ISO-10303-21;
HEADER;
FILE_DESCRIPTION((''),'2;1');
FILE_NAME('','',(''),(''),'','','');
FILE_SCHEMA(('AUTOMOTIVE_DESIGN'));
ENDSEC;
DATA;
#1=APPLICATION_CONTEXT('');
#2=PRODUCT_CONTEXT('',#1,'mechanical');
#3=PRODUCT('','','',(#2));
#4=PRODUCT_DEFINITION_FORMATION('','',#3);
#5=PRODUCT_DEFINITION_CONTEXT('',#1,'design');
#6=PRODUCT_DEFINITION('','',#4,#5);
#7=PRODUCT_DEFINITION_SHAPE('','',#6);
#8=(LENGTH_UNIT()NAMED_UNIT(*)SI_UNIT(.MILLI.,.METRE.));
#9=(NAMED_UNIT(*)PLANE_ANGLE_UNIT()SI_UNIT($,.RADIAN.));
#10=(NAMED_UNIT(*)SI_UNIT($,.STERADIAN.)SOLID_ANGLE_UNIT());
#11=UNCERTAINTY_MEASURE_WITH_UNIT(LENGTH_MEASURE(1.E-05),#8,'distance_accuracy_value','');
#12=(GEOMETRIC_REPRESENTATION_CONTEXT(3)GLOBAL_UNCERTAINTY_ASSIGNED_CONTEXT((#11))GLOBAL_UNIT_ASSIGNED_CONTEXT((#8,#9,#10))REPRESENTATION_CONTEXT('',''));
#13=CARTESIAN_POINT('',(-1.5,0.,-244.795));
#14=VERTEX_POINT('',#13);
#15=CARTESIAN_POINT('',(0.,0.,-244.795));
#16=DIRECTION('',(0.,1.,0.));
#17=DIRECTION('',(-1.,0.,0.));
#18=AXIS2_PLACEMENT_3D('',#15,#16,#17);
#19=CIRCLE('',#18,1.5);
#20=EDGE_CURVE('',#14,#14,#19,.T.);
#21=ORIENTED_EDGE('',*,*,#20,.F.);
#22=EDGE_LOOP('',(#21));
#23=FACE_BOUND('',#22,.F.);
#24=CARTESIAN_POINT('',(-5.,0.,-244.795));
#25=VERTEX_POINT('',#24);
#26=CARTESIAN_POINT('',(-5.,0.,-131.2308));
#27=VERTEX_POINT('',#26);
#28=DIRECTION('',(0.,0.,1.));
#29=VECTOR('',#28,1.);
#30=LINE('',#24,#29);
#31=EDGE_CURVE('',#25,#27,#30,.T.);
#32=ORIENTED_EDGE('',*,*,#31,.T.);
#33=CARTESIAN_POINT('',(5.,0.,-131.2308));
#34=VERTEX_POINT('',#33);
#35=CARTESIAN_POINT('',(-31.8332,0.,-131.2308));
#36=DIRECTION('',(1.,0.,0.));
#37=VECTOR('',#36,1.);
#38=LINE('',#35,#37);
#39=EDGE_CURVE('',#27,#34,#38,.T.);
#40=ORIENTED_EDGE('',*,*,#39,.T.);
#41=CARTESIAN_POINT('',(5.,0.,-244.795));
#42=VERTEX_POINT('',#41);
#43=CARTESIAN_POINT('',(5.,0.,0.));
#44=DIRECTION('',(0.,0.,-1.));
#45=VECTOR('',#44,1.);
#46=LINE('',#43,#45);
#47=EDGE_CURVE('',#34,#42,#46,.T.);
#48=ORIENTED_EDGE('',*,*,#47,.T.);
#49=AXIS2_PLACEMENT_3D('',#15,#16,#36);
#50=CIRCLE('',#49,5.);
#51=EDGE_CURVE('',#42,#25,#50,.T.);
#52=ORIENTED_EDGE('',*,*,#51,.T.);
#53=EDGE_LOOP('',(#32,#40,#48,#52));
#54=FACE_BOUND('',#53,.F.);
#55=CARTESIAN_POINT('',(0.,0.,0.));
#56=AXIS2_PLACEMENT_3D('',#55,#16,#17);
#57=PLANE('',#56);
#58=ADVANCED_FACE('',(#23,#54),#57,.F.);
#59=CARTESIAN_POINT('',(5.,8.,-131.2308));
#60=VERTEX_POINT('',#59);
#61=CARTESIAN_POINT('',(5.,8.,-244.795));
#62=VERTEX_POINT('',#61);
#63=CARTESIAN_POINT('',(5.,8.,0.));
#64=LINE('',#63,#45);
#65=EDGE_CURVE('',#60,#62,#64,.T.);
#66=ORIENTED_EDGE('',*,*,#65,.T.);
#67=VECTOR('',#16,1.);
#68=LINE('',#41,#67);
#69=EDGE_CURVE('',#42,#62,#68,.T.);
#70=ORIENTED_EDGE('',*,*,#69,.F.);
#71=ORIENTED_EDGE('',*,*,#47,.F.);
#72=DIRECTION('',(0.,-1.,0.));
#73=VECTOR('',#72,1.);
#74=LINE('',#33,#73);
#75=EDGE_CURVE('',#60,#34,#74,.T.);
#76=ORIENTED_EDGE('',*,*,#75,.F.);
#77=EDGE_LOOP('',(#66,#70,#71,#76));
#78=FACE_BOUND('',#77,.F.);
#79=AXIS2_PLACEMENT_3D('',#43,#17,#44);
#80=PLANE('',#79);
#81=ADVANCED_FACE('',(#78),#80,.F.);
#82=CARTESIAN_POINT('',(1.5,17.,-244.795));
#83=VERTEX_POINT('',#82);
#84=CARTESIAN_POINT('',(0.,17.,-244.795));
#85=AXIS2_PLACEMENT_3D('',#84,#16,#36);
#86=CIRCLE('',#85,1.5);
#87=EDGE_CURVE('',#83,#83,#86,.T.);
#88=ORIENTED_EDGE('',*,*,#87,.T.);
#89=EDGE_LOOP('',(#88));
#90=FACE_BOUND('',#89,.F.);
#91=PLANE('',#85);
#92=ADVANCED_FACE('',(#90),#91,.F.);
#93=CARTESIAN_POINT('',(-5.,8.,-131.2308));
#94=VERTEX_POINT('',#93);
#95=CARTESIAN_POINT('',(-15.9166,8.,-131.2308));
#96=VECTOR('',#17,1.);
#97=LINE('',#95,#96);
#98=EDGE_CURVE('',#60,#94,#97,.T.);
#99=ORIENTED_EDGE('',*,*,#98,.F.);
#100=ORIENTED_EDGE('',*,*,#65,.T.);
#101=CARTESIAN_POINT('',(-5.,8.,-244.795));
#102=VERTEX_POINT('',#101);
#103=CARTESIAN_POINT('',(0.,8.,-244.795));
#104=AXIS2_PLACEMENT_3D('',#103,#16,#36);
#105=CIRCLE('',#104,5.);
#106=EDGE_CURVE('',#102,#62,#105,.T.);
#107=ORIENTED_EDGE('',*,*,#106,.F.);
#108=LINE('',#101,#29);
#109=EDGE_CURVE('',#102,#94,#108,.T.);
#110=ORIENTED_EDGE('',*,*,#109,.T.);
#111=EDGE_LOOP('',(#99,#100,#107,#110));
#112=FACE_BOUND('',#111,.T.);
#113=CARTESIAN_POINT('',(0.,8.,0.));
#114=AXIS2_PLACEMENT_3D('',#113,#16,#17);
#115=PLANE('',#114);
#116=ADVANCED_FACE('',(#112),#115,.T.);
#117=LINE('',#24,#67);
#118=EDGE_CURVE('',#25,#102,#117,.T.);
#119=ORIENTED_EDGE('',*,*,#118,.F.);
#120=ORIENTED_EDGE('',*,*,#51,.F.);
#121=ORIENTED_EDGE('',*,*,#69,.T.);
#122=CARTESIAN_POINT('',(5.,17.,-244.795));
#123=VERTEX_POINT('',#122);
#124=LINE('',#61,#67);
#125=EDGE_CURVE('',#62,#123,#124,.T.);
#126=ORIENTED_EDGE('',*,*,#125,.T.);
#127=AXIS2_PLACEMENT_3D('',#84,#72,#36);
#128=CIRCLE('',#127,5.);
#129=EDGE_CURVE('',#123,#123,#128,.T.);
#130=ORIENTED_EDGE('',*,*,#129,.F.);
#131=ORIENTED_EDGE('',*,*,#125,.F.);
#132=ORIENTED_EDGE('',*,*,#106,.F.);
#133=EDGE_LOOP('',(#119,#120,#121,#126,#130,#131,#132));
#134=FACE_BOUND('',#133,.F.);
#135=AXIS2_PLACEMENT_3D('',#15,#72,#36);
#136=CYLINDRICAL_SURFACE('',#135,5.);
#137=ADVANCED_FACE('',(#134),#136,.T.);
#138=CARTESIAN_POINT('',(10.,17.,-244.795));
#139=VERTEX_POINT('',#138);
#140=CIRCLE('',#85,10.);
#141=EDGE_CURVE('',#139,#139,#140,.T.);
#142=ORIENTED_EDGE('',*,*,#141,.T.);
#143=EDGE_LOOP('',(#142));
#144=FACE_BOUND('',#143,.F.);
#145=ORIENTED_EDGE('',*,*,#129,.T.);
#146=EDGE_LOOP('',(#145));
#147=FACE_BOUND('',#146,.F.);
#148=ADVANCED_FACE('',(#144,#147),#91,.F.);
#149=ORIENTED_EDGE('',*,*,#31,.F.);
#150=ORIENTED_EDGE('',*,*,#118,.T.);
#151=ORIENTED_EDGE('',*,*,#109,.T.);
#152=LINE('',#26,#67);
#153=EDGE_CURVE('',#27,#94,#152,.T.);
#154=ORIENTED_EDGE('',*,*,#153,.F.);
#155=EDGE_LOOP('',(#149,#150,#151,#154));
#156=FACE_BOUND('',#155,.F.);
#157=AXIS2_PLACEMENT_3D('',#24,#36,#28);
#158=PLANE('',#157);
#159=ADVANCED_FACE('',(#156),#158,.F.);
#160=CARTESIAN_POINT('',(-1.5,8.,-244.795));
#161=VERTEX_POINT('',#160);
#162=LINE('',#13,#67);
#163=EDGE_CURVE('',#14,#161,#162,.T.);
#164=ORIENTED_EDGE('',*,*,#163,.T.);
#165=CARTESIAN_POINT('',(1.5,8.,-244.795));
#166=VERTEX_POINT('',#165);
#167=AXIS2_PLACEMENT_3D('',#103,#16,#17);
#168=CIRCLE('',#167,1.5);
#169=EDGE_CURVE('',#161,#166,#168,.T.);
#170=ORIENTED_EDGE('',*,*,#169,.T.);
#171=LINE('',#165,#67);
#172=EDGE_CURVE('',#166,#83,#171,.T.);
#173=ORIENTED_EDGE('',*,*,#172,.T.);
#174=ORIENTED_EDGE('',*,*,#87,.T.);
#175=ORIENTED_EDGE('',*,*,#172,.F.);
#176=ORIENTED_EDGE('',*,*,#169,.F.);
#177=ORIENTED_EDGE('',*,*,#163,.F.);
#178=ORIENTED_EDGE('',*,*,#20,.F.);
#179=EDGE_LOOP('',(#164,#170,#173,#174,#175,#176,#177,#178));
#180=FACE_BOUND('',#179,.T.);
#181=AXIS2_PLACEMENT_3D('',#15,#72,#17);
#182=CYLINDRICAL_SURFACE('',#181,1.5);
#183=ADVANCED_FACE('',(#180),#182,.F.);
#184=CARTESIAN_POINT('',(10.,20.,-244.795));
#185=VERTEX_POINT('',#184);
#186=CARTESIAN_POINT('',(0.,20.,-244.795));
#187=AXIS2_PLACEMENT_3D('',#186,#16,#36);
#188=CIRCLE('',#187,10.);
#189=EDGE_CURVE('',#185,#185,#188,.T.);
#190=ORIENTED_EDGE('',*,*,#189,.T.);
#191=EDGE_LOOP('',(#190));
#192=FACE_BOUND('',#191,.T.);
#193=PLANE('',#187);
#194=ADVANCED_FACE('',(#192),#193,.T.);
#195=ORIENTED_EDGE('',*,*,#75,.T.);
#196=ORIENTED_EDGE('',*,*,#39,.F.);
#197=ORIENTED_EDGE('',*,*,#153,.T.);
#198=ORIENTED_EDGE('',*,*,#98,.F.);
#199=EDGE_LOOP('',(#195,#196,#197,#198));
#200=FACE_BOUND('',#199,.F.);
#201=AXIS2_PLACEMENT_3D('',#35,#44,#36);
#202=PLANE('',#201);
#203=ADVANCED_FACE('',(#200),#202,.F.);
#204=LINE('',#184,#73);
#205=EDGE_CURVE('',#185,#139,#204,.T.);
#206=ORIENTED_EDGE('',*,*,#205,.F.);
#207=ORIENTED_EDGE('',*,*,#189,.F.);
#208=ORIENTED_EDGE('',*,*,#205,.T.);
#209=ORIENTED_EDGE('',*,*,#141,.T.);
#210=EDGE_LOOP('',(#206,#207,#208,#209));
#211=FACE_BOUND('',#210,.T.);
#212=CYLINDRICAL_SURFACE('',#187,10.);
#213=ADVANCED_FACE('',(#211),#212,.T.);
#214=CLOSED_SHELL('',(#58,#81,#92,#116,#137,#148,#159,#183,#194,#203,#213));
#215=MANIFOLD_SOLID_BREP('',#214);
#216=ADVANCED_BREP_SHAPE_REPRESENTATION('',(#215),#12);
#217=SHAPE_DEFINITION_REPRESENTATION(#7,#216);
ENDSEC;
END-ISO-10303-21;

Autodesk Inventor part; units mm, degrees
ref_plane "YZ Plane" through (0, 0, 0) normal (1, 0, 0) x (0, 1, 0)
ref_plane "XZ Plane" through (0, 0, 0) normal (0, 1, 0) x (-1, 0, 0)
ref_plane "XY Plane" through (0, 0, 0) normal (0, 0, 1) x (1, 0, 0)
sketch "Sketch1" plane through (0, 0, 0) normal (0, 1, 0) x (-1, 0, 0)
  line L0 (0, 0) -> (0, -244.795) construction
  line L1 (-5, 0) -> (-5, -244.795)
  line L2 (5, -244.795) -> (5, 0)
  arc A0 (5, 0) -> (-5, 0) centre (0, 0) ccw
  arc A1 (-5, -244.795) -> (5, -244.795) centre (0, -244.795) ccw
  circle A2 centre (0, 0) radius 1.5
  circle A3 centre (0, -244.795) radius 1.5
  point P0 (0, -122.3975)
  dimension "d0" = 244.795
  dimension "d1" = 10
  dimension "d2" = 3
  dimension "d3" = 3
extrude "Extrusion1" add sketch "Sketch1" along normal blind 8
sketch "Sketch2" plane through (0, 8, 0) normal (0, 1, 0) x (1, 0, 0)
  arc A0 (5, 244.795) -> (-5, 244.795) centre (0, 244.795) ccw projected
  line L0 (-5, 244.795) -> (-5, 0) projected
  arc A1 (-5, 0) -> (5, 0) centre (0, 0) ccw projected
  line L1 (5, 0) -> (5, 244.795) projected
  circle A2 centre (0, 244.795) radius 1.5 projected
  circle A3 centre (0, 0) radius 1.5 projected
  circle A4 centre (0, 244.795) radius 5
  point P0 (-5, 244.795)
  dimension "d12" = 10
extrude "Extrusion2" add sketch "Sketch2" along normal blind 12 contours A4 A0
sketch "Sketch3" plane through (0, 0, 0) normal (0, -1, 0) x (1, 0, 0)
  arc A0 (-5, -244.795) -> (5, -244.795) centre (0, -244.795) ccw projected
  line L0 (5, 0) -> (5, -244.795) projected
  arc A1 (5, 0) -> (-5, 0) centre (0, 0) ccw projected
  line L1 (-5, -244.795) -> (-5, 0) projected
  circle A2 centre (0, -244.795) radius 1.5 projected
  circle A3 centre (0, 0) radius 1.5 projected
sketch "Sketch4" plane through (0, 20, -244.795) normal (0, 1, 0) x (1, 0, 0)
  circle A0 centre (0, 0) radius 10
  point P0 (0, -244.795)
  dimension "d15" = 20
extrude "Extrusion3" add sketch "Sketch4" against normal blind 3
sketch "Sketch5" plane through (0, 0, 0) normal (0, -1, 0) x (1, 0, 0)
  line L0 (23.0807, 11.4027) -> (-31.8332, 11.4027)
  line L1 (-31.8332, 11.4027) -> (-31.8332, -131.2308)
  line L2 (-31.8332, -131.2308) -> (23.0807, -131.2308)
  line L3 (23.0807, -131.2308) -> (23.0807, 11.4027)
  line L4 (55.5298, 55.2625) -> (-102.4368, 55.2625)
  line L5 (-102.4368, 55.2625) -> (-102.4368, -369.4288)
  line L6 (-102.4368, -369.4288) -> (55.5298, -369.4288)
  line L7 (55.5298, -369.4288) -> (55.5298, 55.2625)
  point P0 (0, 0)
extrude "Extrusion4" cut sketch "Sketch5" against normal blind 100 contours L3 L2 L1 L0
properties part number "Part_12_p2"
